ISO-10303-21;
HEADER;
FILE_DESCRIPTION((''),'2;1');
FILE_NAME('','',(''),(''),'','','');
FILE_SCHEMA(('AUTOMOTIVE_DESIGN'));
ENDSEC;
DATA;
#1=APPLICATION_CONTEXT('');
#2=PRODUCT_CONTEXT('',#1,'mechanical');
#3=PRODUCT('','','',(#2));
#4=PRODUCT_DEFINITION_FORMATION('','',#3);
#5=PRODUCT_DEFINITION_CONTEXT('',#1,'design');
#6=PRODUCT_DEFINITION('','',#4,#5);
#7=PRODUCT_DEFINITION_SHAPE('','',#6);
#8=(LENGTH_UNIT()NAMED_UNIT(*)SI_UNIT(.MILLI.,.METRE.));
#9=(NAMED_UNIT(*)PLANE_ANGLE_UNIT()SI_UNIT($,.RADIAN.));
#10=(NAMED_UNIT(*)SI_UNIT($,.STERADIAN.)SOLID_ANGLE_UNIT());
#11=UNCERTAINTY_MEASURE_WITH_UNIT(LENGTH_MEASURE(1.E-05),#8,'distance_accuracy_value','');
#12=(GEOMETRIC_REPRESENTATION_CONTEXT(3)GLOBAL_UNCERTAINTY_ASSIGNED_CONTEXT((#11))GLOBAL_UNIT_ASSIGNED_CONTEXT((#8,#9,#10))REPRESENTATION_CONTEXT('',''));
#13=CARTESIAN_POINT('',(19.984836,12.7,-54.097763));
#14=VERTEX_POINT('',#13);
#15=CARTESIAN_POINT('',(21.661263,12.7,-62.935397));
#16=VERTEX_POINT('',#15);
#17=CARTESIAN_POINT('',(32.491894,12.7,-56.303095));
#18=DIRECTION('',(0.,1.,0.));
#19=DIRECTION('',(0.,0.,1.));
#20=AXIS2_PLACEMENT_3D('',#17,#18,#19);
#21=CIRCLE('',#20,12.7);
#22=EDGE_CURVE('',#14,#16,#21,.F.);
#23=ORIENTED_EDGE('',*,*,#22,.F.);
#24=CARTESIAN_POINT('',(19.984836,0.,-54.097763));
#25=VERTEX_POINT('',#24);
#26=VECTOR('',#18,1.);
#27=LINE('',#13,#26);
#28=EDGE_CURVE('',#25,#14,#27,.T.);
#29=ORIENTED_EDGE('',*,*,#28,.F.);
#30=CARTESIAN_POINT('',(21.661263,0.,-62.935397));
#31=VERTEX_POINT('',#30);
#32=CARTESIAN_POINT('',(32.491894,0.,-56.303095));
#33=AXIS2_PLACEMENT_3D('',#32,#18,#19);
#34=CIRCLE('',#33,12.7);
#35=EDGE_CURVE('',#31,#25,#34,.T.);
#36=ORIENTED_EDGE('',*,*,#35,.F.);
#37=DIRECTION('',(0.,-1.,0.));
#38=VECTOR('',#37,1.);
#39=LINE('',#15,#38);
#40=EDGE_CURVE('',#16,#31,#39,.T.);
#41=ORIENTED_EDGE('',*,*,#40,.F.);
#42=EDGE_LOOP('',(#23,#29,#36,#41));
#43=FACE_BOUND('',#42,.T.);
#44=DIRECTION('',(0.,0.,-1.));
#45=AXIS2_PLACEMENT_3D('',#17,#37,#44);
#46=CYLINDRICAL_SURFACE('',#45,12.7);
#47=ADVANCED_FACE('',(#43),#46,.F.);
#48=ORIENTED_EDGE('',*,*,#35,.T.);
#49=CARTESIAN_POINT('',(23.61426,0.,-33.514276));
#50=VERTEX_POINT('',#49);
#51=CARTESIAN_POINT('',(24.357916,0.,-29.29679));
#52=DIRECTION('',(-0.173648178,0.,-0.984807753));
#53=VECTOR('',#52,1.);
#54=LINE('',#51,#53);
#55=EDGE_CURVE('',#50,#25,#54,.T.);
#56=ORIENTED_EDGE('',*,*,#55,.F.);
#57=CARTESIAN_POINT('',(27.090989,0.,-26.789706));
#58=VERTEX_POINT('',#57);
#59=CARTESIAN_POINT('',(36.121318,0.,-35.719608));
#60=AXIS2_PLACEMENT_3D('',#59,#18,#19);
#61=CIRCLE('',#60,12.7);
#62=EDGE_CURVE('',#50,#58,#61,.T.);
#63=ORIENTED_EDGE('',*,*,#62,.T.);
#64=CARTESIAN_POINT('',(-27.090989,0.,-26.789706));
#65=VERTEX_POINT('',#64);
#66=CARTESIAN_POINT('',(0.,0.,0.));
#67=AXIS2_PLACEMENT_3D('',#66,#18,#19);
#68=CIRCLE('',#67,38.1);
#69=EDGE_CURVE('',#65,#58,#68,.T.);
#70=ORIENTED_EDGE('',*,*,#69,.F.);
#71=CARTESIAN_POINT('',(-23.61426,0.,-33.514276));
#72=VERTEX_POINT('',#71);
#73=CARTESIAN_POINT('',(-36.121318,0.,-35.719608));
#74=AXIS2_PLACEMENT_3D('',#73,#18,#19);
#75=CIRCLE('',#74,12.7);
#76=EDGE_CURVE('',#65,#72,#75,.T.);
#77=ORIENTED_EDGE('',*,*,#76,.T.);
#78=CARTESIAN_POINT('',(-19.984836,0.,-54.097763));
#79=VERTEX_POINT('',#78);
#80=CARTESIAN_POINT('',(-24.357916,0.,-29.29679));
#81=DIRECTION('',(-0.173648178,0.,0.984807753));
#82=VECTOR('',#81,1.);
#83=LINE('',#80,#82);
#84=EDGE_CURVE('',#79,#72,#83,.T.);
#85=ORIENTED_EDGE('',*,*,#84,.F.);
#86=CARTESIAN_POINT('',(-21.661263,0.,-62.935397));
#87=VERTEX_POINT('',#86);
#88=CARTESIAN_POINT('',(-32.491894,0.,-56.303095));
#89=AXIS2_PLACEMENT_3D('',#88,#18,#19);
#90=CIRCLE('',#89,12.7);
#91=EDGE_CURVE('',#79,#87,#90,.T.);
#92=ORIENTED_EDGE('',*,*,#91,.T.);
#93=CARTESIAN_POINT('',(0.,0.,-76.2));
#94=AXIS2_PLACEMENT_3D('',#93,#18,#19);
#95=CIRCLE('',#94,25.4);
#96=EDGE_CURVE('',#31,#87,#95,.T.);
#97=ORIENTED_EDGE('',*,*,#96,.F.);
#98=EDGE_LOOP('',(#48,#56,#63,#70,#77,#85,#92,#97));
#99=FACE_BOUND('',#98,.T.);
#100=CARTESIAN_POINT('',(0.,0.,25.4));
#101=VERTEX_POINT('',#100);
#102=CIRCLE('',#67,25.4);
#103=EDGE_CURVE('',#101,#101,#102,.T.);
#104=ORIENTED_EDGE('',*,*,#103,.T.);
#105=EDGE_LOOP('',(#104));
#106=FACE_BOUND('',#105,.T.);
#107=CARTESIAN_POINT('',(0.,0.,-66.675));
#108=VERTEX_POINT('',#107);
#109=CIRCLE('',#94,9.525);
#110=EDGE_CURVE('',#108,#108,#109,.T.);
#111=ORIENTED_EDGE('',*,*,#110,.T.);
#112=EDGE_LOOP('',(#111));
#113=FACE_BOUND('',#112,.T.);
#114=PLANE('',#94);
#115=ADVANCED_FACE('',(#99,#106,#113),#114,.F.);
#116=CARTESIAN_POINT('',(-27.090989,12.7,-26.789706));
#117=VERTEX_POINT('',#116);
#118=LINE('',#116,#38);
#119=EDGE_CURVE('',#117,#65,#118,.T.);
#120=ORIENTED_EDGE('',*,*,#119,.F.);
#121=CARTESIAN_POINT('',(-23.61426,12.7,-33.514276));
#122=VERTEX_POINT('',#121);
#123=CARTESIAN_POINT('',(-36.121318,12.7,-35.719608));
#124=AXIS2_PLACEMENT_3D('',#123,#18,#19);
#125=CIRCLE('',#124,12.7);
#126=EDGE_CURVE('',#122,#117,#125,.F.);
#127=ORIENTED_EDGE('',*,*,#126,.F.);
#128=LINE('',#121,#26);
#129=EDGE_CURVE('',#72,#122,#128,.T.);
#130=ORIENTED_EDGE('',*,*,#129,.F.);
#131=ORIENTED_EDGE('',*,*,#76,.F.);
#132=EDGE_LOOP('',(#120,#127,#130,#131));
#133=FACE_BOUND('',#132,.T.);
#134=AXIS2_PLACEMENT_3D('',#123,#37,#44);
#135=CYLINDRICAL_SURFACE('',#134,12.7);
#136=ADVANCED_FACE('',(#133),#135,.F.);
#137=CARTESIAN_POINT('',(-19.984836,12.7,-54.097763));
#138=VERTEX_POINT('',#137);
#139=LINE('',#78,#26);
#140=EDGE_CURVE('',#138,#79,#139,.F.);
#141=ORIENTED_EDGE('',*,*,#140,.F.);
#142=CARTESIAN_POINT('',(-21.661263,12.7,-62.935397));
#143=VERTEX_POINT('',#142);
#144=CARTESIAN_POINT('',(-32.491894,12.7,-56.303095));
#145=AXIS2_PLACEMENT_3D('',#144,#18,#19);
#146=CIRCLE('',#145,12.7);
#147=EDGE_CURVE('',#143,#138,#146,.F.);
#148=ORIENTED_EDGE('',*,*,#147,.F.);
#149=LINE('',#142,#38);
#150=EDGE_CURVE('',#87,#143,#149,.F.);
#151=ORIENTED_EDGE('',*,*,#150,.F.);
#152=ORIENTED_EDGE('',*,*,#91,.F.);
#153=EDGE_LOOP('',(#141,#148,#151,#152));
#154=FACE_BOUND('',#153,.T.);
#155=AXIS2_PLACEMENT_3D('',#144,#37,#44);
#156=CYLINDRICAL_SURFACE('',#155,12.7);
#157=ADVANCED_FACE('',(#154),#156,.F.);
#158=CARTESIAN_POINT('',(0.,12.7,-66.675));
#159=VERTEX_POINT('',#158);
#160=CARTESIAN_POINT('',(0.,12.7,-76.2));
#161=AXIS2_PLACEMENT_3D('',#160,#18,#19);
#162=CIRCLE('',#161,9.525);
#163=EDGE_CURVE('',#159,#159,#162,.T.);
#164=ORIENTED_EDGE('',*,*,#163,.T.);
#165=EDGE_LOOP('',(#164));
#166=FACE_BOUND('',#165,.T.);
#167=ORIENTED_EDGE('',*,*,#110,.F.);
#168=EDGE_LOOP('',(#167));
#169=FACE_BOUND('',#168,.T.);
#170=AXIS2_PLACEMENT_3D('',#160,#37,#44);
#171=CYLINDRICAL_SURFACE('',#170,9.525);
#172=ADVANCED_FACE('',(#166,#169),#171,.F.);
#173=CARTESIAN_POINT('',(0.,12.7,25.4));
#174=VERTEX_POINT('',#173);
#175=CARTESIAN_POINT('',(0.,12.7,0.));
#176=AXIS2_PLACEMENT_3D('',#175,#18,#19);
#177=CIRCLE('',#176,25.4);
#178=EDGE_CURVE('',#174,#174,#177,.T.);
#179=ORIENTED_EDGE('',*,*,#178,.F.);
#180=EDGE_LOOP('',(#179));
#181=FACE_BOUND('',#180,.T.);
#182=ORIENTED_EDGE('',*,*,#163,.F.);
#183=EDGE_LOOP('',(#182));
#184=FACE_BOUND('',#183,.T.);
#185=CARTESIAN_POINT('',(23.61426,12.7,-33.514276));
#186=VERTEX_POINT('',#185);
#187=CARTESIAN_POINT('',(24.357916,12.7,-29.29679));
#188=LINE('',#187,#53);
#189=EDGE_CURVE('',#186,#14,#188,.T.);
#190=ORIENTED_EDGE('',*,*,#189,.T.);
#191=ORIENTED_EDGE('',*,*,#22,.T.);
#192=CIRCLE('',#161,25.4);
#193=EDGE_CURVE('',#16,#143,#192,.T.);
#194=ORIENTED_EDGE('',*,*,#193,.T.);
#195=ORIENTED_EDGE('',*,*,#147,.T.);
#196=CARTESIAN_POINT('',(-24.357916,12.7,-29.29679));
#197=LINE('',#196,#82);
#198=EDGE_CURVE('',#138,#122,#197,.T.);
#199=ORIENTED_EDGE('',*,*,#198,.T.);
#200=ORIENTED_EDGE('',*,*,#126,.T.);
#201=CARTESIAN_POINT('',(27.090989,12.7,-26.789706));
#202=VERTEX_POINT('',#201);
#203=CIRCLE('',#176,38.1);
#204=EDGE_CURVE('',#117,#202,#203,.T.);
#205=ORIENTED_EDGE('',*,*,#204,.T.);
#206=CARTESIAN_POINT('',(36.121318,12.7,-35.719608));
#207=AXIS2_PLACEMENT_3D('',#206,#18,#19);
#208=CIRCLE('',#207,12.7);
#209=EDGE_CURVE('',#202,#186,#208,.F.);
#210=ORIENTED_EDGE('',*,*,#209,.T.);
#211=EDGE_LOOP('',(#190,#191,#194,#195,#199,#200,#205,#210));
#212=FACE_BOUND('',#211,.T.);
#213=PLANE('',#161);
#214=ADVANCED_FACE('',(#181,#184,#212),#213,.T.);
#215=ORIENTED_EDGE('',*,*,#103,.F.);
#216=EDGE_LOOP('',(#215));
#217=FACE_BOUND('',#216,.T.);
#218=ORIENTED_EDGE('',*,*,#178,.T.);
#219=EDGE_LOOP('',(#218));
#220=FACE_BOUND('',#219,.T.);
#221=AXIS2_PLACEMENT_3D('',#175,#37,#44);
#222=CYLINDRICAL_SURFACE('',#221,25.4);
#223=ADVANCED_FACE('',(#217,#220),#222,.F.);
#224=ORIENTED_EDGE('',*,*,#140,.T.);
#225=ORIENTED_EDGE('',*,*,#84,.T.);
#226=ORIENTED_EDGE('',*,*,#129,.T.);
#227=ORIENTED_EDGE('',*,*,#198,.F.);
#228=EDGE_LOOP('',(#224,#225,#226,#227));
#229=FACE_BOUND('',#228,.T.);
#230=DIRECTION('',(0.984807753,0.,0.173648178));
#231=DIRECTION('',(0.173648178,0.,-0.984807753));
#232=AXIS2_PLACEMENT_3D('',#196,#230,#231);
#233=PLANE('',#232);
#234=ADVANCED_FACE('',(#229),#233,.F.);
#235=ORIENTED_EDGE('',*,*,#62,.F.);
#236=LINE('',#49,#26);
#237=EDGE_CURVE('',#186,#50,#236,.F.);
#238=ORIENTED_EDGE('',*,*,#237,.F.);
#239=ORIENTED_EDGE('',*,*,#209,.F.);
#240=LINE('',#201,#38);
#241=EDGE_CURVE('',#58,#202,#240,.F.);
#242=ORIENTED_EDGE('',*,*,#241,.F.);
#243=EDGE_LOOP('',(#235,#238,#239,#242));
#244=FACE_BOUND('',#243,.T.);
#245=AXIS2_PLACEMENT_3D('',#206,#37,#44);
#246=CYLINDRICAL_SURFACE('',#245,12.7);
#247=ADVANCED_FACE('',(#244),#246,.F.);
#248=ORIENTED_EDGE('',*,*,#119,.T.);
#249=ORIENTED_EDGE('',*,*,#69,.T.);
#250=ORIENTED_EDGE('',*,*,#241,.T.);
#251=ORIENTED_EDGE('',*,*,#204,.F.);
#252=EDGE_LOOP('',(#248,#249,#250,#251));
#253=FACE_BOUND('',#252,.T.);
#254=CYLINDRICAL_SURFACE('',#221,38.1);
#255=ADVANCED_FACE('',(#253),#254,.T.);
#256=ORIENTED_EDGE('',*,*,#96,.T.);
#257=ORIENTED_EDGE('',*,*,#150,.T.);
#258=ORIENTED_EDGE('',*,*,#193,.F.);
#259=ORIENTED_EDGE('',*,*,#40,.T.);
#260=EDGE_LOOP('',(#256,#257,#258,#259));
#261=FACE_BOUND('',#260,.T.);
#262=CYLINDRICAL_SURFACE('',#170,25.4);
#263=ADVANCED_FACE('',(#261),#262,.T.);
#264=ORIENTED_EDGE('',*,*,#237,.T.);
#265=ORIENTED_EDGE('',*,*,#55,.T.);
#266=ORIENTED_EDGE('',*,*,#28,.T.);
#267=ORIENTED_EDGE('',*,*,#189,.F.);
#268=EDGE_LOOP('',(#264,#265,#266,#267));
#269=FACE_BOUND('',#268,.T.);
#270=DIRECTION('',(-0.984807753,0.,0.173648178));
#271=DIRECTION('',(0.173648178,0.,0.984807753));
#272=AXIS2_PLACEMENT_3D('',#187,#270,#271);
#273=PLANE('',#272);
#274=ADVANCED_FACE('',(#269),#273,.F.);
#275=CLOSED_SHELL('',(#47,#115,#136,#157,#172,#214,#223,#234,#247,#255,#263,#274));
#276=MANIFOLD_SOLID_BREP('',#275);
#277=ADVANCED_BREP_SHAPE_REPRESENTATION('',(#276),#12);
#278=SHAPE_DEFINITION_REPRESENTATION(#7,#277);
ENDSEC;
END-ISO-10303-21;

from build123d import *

# Parameters (mm, degrees)
SKETCH1_R           = 25.4
SKETCH1_R_2         = 9.525
BOSS_EXTRUDE1_DEPTH = 12.7
FILLET1_R           = 12.7


with BuildPart() as part:
    # Sketch1 → Boss-Extrude1 (new body)
    with BuildSketch(Plane(origin=(0, 0, 0), x_dir=(1, 0, 0), z_dir=(0, 1, 0))):
        with BuildLine():
            Line((-24.35791626, 29.296790191), (-19.05, 59.399479175))
            ThreePointArc((-19.05, 59.399479175), (0, 101.6), (19.05, 59.399479175))
            Line((19.05, 59.399479175), (24.35791626, 29.296790191))
            ThreePointArc((24.35791626, 29.296790191), (0, -38.1), (-24.35791626, 29.296790191))
        make_face()
        with Locations(Location((0, 0, 0), (0, 0, 270))):
            Circle(SKETCH1_R, mode=Mode.SUBTRACT)
        with Locations(Location((0, 76.2, 0), (0, 0, 270))):
            Circle(SKETCH1_R_2, mode=Mode.SUBTRACT)
    extrude(amount=BOSS_EXTRUDE1_DEPTH)

    # Fillet1
    fillet1_edges = [part.edges().sort_by_distance(p)[0] for p in [
        (19.05, 6.35, -59.399479175),
        (24.35791626, 6.35, -29.296790191),
        (-24.35791626, 6.35, -29.296790191),
        (-19.05, 6.35, -59.399479175),
    ]]
    fillet(fillet1_edges, radius=FILLET1_R)


solid = part.part
